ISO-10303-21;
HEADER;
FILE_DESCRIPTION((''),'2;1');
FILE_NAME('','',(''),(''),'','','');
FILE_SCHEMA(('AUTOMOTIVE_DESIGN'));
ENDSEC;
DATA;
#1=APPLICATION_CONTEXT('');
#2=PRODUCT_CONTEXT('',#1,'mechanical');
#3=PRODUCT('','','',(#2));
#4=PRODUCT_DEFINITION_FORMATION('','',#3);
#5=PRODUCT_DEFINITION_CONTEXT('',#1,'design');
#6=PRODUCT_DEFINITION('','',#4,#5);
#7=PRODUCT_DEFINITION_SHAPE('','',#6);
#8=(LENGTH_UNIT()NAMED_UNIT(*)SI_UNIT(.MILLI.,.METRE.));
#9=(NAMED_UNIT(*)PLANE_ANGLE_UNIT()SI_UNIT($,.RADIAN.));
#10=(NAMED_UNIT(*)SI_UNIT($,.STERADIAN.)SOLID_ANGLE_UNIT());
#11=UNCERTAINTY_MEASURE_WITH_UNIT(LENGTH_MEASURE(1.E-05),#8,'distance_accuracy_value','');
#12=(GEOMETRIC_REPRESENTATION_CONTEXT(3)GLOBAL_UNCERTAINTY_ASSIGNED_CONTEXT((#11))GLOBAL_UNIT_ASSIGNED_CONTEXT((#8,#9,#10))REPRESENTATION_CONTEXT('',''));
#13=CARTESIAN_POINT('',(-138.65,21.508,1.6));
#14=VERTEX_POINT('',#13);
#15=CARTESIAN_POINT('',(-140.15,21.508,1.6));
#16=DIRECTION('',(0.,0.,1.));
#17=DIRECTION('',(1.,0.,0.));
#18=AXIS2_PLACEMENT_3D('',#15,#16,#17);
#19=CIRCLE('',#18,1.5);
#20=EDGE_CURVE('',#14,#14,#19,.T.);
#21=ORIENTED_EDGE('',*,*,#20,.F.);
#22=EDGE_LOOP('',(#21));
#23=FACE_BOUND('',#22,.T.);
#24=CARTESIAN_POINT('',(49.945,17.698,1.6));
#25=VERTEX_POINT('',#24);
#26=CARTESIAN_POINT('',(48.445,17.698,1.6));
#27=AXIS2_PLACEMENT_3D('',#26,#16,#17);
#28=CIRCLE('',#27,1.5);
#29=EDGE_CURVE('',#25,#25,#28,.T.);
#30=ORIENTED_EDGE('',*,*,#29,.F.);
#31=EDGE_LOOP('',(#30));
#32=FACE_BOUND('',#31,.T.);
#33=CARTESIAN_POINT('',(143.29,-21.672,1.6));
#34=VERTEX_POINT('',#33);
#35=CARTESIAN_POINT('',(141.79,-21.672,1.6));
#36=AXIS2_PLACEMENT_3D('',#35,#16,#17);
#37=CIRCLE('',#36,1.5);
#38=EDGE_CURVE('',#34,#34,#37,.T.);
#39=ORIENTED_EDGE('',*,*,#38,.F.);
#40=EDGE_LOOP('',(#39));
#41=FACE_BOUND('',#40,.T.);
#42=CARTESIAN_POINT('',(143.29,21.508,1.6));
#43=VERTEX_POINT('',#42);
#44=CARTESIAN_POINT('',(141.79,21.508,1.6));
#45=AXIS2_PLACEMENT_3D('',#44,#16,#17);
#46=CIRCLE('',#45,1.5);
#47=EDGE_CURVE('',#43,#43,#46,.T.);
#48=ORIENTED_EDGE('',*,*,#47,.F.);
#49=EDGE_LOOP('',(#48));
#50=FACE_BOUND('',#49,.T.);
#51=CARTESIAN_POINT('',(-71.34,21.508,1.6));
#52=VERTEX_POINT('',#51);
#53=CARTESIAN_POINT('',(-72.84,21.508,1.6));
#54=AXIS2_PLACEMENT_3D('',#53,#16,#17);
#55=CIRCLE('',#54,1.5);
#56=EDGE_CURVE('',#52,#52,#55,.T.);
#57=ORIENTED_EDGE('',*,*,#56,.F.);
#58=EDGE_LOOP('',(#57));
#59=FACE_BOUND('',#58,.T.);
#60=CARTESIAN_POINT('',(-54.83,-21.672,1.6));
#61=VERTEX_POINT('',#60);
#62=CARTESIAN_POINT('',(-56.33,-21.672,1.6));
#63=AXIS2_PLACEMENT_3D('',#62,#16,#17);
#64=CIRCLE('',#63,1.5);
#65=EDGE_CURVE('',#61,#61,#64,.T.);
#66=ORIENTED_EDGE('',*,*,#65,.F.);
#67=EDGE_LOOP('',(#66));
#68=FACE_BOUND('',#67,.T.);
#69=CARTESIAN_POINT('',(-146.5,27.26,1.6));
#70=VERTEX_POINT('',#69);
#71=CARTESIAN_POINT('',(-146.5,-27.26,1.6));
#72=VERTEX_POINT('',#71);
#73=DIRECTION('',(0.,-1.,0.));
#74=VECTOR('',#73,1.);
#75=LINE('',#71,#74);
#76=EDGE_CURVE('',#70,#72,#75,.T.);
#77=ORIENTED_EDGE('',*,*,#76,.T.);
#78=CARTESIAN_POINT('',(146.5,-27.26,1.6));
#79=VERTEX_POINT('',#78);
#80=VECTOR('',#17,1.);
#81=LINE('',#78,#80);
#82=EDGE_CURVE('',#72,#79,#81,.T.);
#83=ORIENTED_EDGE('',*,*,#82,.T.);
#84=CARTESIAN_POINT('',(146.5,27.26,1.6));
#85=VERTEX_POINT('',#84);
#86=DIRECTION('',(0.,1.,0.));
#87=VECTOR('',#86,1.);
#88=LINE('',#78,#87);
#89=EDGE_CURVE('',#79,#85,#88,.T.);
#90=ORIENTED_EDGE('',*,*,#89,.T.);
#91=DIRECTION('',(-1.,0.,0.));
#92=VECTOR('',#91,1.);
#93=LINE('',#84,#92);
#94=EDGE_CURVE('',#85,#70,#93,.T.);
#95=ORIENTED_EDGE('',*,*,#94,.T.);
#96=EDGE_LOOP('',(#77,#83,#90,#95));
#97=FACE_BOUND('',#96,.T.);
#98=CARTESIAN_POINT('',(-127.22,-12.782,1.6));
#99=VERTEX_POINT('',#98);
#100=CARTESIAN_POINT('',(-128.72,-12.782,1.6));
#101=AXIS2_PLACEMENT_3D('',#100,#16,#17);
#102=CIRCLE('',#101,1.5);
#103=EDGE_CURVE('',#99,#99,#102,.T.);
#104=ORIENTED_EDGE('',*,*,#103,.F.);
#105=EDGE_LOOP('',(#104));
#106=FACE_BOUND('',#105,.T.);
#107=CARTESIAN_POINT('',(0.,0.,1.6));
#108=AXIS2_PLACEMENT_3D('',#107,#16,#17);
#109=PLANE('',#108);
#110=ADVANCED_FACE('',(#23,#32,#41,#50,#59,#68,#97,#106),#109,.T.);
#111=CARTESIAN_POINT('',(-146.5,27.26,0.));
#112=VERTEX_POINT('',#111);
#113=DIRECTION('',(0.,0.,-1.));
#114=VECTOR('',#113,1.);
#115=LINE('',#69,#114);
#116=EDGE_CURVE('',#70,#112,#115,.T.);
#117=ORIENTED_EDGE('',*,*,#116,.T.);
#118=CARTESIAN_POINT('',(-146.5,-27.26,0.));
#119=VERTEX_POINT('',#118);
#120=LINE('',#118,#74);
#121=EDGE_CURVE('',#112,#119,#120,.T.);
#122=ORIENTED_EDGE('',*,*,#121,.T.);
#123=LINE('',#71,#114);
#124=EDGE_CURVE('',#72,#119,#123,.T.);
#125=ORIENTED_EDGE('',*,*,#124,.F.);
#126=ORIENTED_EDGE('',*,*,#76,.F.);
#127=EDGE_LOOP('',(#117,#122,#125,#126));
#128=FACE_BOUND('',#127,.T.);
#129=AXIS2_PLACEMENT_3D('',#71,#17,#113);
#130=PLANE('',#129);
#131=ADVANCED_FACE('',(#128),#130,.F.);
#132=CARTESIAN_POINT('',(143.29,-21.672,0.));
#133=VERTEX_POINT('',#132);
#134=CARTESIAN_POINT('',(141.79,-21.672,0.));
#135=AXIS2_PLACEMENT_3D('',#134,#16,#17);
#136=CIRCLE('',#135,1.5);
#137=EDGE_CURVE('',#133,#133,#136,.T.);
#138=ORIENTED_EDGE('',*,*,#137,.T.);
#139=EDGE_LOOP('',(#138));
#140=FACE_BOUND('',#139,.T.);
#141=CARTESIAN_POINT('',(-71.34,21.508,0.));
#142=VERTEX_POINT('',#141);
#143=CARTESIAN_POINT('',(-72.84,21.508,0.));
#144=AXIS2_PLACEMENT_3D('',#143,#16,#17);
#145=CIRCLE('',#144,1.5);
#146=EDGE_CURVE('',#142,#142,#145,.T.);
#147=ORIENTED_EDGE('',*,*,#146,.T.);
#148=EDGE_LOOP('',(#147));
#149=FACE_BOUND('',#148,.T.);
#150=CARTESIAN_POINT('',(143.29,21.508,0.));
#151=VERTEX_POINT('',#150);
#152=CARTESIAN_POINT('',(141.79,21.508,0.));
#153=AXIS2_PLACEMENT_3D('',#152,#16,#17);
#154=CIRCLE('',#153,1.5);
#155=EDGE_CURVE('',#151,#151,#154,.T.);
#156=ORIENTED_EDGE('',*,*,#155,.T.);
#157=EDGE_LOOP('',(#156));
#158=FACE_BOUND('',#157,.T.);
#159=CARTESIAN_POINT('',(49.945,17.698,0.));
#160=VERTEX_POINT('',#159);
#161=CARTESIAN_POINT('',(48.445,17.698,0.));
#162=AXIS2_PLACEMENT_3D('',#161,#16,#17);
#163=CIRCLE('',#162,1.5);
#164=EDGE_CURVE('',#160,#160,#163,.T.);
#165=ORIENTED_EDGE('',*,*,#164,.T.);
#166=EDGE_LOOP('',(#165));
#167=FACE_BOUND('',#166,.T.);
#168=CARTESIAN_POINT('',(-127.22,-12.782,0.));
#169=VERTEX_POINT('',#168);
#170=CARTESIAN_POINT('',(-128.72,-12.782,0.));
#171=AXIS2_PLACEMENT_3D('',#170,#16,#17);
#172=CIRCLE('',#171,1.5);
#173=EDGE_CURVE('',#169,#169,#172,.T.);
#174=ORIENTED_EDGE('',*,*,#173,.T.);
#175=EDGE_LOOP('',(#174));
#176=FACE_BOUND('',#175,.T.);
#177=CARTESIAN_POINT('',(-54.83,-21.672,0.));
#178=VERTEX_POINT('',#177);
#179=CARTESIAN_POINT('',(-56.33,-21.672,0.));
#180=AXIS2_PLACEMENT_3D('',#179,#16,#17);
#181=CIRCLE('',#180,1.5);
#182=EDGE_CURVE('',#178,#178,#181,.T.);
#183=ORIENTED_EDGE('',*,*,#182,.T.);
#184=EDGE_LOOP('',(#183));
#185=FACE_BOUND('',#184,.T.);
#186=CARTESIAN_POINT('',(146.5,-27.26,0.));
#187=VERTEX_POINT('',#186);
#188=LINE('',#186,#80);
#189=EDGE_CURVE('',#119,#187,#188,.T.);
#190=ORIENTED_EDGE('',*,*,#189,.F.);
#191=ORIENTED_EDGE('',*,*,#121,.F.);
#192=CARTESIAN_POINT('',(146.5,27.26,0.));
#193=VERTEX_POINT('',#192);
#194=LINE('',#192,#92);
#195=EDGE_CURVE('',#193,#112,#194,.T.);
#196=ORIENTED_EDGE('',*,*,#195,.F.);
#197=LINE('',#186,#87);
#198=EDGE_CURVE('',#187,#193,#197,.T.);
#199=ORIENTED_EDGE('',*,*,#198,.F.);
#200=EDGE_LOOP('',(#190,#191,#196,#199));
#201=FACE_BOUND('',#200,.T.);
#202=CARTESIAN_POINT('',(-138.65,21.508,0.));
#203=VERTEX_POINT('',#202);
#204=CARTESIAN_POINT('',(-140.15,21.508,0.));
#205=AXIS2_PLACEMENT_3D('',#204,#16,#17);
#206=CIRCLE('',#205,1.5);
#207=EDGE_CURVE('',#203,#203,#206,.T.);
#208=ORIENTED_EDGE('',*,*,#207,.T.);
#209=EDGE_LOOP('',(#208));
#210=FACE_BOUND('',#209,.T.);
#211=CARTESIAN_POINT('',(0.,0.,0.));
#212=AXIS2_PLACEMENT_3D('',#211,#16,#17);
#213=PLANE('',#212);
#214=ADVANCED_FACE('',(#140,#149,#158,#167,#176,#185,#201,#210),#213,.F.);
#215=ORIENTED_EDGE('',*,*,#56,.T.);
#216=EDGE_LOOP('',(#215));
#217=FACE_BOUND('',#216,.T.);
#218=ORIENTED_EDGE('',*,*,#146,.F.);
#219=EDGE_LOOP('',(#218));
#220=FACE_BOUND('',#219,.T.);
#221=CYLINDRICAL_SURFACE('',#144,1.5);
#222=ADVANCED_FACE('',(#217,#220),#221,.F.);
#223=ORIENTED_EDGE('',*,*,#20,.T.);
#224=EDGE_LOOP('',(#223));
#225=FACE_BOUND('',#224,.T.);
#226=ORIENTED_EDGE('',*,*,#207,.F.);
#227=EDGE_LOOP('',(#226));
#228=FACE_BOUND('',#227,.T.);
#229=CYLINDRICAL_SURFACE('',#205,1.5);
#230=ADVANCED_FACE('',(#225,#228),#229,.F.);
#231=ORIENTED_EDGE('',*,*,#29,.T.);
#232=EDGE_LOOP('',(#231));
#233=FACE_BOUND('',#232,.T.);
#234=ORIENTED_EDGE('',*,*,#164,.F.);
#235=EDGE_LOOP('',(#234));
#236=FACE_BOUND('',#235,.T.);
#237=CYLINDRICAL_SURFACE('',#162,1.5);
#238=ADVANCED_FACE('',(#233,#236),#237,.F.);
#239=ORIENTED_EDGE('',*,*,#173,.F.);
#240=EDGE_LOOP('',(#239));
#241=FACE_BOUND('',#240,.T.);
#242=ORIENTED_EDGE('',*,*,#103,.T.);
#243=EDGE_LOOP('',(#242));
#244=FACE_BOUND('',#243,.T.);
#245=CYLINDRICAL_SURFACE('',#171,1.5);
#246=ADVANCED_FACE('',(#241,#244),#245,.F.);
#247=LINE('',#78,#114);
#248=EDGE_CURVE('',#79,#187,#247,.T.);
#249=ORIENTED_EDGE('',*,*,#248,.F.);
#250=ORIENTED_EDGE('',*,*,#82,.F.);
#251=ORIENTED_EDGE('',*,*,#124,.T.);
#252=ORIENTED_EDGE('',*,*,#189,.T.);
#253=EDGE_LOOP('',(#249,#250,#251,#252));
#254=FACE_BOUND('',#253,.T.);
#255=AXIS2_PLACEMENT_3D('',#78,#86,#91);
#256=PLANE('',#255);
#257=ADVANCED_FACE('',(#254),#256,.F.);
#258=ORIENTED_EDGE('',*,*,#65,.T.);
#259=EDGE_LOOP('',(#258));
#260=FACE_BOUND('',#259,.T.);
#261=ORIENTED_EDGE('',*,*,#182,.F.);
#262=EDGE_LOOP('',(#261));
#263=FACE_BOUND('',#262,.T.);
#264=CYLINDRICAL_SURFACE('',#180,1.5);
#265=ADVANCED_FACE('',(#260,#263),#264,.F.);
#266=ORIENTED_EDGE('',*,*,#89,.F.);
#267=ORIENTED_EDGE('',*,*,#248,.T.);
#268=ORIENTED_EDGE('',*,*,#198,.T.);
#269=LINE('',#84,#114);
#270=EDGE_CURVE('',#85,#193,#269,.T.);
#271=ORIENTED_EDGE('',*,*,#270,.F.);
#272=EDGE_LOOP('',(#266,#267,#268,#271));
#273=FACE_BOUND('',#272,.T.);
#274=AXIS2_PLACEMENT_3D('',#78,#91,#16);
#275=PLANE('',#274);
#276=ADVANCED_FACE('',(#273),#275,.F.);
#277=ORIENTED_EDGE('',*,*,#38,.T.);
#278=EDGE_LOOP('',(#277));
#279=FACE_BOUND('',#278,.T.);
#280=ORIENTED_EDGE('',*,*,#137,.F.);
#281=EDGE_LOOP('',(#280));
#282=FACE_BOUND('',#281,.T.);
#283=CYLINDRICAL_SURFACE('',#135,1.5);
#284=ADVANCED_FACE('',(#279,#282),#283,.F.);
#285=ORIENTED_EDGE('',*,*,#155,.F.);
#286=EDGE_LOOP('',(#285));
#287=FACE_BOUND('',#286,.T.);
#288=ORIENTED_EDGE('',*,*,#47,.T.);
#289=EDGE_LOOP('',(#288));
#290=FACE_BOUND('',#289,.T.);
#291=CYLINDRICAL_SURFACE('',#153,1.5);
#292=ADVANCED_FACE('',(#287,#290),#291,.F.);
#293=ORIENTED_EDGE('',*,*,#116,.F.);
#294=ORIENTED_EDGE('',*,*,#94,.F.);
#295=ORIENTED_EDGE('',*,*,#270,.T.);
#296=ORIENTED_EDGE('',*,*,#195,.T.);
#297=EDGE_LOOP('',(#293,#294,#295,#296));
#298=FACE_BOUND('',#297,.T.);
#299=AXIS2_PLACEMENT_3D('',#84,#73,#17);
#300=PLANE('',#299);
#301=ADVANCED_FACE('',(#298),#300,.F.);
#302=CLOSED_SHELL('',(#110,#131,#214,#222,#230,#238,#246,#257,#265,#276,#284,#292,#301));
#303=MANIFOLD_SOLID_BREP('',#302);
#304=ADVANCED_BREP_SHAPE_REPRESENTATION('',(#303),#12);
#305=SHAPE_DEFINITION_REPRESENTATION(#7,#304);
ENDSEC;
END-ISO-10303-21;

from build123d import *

# Parameters (mm, degrees)
SKETCH2_W                       = 293
SKETCH2_H                       = 54.52
EXTRUDEDBASE_PCB_DEPTH          = 1.6
SKETCH3_R                       = 1.5
EXTRUDEDCUT_MOUNTINGHOLES_DEPTH = 150.023211615


with BuildPart() as part:
    # Sketch2 → ExtrudedBase_PCB (new body)
    with BuildSketch(Plane.XY):
        Rectangle(SKETCH2_W, SKETCH2_H)
    extrude(amount=EXTRUDEDBASE_PCB_DEPTH)

    # Sketch3 → ExtrudedCut_MountingHoles (cut, through all)
    with BuildSketch(Plane.XY.offset(1.6)):
        with Locations((-140.15, 21.508)):
            Circle(SKETCH3_R)
        with Locations((-72.84, 21.508)):
            Circle(SKETCH3_R)
        with Locations((48.445, 17.698)):
            Circle(SKETCH3_R)
        with Locations((141.79, 21.508)):
            Circle(SKETCH3_R)
        with Locations((-128.72, -12.782)):
            Circle(SKETCH3_R)
        with Locations((-56.33, -21.672)):
            Circle(SKETCH3_R)
        with Locations((141.79, -21.672)):
            Circle(SKETCH3_R)
    extrude(amount=-EXTRUDEDCUT_MOUNTINGHOLES_DEPTH, mode=Mode.SUBTRACT)


solid = part.part
